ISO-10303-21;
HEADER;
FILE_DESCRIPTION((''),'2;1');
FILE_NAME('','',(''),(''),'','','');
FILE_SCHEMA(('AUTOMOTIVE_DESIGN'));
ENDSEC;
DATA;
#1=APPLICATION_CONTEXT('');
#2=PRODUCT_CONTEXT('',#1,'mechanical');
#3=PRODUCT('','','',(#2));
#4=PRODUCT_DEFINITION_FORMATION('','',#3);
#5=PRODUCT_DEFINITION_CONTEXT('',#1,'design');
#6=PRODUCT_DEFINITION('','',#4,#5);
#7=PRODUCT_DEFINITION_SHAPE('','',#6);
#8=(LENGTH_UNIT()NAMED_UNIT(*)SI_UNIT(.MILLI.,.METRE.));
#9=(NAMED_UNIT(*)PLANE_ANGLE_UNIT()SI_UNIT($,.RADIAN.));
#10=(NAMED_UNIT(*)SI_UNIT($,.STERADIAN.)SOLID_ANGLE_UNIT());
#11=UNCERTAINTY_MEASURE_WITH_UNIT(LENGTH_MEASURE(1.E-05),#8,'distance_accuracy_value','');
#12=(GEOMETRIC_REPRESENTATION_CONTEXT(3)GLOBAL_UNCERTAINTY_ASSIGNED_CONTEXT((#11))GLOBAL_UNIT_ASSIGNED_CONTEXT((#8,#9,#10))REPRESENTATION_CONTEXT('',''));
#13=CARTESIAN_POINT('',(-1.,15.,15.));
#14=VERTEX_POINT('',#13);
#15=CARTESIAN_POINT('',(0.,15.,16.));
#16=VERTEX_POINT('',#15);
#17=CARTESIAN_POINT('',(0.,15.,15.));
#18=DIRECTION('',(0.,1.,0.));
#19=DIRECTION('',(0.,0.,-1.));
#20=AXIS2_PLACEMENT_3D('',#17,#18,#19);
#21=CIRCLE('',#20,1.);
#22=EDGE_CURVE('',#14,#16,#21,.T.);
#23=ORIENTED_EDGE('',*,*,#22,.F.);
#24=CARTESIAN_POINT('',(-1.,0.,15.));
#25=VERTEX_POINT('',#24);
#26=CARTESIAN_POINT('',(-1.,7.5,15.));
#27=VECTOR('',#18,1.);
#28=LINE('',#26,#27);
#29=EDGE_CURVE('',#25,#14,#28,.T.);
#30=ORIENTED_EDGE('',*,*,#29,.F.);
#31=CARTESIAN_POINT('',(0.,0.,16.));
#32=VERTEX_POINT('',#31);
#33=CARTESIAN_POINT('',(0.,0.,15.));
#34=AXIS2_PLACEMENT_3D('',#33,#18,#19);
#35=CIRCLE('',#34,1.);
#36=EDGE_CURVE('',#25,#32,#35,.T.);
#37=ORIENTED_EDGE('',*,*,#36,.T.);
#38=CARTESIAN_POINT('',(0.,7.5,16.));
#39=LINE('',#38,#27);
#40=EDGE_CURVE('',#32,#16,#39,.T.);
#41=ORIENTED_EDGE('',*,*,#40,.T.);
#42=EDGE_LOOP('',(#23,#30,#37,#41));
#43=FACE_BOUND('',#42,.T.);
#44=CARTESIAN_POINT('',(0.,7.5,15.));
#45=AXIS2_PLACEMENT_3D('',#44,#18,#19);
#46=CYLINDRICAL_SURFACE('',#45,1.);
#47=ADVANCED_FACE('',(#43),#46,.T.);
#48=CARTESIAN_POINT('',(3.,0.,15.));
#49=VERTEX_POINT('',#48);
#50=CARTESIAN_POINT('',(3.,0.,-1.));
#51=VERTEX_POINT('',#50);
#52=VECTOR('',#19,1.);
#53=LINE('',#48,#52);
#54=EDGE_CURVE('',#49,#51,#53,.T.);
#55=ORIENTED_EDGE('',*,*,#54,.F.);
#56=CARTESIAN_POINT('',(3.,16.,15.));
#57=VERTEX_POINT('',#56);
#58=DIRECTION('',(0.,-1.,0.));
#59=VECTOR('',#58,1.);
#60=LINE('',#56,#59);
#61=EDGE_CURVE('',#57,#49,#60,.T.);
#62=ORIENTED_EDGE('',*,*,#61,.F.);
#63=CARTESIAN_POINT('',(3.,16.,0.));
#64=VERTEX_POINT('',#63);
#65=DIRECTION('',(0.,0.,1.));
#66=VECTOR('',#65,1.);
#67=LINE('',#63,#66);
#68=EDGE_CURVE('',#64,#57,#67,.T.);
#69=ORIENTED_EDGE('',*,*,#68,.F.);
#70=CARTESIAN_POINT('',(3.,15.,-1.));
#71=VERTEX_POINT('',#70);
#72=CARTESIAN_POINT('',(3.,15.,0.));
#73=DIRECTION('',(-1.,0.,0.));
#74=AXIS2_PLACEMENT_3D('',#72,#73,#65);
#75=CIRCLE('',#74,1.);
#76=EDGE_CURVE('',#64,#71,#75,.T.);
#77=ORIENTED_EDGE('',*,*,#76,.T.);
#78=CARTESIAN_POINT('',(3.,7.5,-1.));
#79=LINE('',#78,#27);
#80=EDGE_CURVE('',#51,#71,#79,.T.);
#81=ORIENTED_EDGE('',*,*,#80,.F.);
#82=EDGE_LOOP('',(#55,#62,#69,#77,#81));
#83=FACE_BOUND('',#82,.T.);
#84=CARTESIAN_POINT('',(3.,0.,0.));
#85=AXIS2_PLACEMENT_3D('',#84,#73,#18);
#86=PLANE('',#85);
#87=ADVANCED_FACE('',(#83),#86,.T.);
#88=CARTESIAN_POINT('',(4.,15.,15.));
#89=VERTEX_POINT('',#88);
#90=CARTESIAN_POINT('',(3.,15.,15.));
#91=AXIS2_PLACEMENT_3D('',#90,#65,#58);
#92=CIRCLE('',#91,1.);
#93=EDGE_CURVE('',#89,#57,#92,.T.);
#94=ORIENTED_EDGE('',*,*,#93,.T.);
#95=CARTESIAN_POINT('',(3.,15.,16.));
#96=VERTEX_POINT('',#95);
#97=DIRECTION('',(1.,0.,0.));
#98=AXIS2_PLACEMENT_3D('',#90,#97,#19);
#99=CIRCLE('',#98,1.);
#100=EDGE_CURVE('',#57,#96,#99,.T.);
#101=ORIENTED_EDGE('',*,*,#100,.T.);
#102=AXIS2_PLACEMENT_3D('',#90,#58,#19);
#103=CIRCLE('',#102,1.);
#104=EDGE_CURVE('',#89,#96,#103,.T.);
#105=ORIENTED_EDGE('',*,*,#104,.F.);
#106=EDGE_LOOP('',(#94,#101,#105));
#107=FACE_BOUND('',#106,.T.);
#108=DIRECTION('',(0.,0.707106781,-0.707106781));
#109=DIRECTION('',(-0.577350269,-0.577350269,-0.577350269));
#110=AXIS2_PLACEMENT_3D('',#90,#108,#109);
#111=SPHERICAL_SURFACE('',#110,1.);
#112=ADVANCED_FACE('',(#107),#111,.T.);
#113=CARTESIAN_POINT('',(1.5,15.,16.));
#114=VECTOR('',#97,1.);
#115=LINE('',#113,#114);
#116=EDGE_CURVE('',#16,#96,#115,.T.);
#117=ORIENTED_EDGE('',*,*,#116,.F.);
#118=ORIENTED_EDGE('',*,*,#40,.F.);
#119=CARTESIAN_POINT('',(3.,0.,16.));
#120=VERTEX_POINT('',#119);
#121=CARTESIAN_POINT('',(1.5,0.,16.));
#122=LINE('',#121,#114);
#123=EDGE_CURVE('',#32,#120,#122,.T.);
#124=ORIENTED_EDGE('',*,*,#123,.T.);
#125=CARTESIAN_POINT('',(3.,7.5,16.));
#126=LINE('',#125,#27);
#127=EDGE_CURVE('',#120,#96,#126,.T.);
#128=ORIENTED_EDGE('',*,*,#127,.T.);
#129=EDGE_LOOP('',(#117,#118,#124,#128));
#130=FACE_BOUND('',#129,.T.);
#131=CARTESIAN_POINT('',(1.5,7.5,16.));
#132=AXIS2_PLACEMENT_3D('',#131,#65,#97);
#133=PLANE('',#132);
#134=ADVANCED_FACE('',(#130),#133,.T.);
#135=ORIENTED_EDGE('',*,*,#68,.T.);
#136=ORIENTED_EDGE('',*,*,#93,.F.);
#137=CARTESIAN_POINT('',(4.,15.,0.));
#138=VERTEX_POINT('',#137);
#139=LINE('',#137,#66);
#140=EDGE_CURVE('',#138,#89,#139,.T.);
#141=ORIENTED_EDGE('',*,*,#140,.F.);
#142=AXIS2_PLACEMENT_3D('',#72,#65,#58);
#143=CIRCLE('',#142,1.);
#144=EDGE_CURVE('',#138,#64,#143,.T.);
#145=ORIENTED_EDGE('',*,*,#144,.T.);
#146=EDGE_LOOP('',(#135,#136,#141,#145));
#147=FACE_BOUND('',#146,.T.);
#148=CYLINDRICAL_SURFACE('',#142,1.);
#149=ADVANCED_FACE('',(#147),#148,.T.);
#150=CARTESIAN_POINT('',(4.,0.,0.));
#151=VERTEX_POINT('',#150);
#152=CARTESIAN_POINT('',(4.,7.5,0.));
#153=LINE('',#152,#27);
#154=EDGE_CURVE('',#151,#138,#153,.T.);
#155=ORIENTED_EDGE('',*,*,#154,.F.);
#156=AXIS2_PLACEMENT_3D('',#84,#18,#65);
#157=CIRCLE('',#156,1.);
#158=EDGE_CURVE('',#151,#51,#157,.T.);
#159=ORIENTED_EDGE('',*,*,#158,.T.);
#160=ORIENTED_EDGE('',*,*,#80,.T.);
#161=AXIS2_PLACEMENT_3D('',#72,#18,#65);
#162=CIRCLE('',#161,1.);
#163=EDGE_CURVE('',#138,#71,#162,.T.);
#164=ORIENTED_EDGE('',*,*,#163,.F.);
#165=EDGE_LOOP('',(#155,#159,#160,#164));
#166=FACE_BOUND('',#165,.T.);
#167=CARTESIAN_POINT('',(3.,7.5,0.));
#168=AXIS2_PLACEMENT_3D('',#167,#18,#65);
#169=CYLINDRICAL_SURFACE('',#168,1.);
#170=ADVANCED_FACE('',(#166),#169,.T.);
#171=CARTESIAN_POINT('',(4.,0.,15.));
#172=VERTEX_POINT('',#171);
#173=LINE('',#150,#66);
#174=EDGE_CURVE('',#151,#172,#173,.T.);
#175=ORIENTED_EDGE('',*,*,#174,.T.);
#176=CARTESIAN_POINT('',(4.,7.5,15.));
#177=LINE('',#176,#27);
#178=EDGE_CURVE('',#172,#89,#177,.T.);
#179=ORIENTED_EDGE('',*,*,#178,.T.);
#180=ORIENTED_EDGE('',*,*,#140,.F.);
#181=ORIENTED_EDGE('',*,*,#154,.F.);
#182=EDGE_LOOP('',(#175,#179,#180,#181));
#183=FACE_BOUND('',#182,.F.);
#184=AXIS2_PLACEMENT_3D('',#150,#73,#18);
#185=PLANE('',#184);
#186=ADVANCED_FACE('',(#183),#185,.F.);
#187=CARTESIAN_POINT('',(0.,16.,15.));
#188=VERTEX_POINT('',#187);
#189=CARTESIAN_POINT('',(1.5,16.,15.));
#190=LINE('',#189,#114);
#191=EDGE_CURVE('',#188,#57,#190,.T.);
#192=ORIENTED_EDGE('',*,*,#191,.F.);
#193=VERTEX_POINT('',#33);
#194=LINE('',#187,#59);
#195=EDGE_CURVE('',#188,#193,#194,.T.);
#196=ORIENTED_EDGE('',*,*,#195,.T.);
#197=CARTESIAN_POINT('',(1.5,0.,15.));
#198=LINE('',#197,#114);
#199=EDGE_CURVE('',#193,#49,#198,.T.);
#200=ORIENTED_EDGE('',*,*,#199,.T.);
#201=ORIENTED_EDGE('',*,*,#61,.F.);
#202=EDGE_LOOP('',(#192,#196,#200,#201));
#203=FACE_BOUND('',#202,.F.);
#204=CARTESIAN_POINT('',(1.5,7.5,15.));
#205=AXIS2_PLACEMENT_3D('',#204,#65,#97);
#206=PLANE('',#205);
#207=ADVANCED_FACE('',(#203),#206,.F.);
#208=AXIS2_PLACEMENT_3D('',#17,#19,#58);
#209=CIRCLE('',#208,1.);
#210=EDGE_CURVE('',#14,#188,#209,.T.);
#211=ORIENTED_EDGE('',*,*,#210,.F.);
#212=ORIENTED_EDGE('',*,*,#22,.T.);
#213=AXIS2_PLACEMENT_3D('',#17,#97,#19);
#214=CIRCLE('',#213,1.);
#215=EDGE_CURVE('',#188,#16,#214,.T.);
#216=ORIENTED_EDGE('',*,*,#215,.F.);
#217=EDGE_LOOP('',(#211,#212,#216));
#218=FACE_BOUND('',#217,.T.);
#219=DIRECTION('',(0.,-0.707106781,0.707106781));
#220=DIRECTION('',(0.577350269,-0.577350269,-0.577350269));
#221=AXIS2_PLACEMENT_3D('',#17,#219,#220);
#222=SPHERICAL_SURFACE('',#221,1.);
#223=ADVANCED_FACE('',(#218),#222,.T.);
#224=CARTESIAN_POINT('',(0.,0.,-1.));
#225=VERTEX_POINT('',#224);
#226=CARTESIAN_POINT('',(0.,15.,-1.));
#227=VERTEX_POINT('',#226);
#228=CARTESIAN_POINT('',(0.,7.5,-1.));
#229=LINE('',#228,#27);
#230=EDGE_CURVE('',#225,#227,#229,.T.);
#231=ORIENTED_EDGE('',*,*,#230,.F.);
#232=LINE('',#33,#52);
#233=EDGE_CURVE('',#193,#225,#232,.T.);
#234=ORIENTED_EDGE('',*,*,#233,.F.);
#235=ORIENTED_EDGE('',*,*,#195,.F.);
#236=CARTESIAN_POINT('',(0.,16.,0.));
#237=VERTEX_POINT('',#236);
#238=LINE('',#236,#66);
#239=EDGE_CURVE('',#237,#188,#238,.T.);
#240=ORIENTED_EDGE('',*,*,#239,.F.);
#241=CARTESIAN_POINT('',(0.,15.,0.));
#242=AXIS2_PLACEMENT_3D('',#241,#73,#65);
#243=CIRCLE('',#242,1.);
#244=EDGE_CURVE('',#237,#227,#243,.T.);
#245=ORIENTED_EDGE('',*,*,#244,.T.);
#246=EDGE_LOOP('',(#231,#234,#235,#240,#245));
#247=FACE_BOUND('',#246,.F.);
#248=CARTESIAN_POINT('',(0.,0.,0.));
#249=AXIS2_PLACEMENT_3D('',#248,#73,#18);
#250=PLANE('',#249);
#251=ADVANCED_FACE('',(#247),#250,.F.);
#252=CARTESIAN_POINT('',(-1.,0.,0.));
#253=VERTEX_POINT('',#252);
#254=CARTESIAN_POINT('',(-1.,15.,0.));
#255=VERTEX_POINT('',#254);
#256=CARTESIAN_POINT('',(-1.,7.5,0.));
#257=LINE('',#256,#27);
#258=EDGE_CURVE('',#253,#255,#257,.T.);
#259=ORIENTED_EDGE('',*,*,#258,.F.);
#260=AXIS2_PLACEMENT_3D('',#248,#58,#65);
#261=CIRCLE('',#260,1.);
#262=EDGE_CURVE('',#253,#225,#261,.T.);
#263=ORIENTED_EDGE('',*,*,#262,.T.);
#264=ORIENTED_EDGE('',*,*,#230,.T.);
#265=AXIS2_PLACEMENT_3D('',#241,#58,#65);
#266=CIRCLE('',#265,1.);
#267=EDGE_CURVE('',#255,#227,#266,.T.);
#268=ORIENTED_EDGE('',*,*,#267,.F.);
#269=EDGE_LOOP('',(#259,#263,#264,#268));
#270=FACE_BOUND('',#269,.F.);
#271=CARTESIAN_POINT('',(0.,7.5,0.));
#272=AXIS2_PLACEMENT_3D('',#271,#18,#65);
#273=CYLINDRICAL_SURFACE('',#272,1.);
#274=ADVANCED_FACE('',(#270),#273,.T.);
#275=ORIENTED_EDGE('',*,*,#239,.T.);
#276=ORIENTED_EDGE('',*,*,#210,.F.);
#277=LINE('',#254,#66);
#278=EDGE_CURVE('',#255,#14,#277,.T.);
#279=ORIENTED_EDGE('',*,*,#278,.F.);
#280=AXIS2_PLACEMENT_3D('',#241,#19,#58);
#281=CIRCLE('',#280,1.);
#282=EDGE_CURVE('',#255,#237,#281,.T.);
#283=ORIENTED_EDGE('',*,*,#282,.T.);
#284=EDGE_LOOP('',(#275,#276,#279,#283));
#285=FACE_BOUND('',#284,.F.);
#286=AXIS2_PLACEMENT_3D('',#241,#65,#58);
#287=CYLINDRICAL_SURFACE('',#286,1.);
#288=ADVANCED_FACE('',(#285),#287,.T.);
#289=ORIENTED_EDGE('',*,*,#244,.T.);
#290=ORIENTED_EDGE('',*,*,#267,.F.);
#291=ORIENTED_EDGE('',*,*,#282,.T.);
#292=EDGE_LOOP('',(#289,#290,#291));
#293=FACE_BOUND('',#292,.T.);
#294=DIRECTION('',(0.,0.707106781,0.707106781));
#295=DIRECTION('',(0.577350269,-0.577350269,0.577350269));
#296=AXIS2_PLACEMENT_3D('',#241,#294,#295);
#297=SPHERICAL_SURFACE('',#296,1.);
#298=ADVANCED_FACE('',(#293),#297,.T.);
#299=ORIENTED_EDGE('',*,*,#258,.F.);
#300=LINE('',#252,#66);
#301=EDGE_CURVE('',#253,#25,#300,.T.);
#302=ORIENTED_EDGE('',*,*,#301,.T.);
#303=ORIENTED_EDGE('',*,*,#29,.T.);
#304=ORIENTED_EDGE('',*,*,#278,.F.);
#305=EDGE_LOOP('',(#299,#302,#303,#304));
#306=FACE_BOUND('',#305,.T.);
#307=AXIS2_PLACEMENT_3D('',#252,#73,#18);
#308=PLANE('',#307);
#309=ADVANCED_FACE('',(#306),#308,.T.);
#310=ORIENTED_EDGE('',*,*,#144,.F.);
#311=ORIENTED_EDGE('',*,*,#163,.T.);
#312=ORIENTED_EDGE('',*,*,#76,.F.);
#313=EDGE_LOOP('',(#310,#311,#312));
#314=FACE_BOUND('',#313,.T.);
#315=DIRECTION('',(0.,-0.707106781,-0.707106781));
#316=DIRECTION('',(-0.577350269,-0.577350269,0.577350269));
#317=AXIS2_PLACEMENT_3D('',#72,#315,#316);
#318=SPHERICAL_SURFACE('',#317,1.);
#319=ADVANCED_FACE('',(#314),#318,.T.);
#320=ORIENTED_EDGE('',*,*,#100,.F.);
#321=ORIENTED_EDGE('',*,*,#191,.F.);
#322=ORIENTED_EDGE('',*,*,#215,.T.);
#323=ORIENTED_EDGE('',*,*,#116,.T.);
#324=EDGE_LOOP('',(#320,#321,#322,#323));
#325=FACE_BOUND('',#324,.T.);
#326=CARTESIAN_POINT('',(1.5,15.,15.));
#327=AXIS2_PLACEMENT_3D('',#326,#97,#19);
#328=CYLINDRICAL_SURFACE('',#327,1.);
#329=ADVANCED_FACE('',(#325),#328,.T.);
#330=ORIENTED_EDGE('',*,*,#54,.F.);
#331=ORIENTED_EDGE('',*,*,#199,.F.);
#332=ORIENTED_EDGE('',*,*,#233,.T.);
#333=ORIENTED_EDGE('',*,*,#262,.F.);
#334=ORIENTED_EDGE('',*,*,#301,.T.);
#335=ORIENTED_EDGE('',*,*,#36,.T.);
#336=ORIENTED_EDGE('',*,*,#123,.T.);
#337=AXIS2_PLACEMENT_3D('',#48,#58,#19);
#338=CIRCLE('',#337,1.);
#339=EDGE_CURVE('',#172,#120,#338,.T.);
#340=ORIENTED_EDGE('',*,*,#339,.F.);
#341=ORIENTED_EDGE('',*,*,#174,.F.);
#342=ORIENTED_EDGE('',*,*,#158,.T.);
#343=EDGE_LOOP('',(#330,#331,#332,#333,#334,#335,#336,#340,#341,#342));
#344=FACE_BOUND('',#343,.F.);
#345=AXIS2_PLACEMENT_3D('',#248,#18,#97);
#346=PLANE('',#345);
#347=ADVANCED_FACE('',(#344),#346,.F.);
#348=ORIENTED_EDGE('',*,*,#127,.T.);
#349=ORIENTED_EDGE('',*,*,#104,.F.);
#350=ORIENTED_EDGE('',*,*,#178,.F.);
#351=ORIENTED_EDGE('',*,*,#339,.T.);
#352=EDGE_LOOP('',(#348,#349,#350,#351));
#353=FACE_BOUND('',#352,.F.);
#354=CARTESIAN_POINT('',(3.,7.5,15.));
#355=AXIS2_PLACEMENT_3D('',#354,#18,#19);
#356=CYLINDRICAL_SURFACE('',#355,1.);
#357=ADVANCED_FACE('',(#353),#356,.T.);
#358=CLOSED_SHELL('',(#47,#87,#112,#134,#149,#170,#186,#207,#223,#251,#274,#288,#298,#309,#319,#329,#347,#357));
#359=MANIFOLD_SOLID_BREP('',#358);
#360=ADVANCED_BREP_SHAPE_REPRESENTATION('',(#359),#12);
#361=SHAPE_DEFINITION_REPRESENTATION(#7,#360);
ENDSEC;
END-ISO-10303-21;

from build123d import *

# Parameters (mm, degrees)
SKETCH_W           = 3
SKETCH_H           = 15
PAD_DEPTH          = 15
THICKNESS_T        = 1
THICKNESS_FACE2_W  = 3
THICKNESS_FACE2_H  = 15
POCKET_DEPTH       = 5
POCKET_FACE4_W     = 15
POCKET_FACE4_H     = 3
POCKET001_DEPTH    = 5
POCKET001_FACE18_W = 3
POCKET001_FACE18_H = 1
POCKET002_DEPTH    = 5


with BuildPart() as part:
    # Sketch → Pad (new body)
    with BuildSketch(Plane.XY):
        with Locations((1.5, 7.5)):
            Rectangle(SKETCH_W, SKETCH_H)
    extrude(amount=PAD_DEPTH)

    # Thickness
    thickness_openings = [part.faces().sort_by_distance(p)[0] for p in [
        (1.5, 0, 7.5),
    ]]
    offset(amount=THICKNESS_T, openings=thickness_openings)

    # Thickness Face2 → Pocket (cut)
    with BuildSketch(Plane(origin=(1.5, 15, 7.5), x_dir=(-1, 0, 0), z_dir=(0, -1, 0))):
        Rectangle(THICKNESS_FACE2_W, THICKNESS_FACE2_H)
    extrude(amount=-POCKET_DEPTH, mode=Mode.SUBTRACT)

    # Pocket Face4 → Pocket001 (cut)
    with BuildSketch(Plane(origin=(1.5, 7.5, 0), x_dir=(0, 1, 0), z_dir=(0, 0, 1))):
        Rectangle(POCKET_FACE4_W, POCKET_FACE4_H)
    extrude(amount=-POCKET001_DEPTH, mode=Mode.SUBTRACT)

    # Pocket001 Face18 → Pocket002 (cut)
    with BuildSketch(Plane(origin=(1.5, 15, -0.5), x_dir=(-1, 0, 0), z_dir=(0, -1, 0))):
        Rectangle(POCKET001_FACE18_W, POCKET001_FACE18_H)
    extrude(amount=-POCKET002_DEPTH, mode=Mode.SUBTRACT)


solid = part.part
